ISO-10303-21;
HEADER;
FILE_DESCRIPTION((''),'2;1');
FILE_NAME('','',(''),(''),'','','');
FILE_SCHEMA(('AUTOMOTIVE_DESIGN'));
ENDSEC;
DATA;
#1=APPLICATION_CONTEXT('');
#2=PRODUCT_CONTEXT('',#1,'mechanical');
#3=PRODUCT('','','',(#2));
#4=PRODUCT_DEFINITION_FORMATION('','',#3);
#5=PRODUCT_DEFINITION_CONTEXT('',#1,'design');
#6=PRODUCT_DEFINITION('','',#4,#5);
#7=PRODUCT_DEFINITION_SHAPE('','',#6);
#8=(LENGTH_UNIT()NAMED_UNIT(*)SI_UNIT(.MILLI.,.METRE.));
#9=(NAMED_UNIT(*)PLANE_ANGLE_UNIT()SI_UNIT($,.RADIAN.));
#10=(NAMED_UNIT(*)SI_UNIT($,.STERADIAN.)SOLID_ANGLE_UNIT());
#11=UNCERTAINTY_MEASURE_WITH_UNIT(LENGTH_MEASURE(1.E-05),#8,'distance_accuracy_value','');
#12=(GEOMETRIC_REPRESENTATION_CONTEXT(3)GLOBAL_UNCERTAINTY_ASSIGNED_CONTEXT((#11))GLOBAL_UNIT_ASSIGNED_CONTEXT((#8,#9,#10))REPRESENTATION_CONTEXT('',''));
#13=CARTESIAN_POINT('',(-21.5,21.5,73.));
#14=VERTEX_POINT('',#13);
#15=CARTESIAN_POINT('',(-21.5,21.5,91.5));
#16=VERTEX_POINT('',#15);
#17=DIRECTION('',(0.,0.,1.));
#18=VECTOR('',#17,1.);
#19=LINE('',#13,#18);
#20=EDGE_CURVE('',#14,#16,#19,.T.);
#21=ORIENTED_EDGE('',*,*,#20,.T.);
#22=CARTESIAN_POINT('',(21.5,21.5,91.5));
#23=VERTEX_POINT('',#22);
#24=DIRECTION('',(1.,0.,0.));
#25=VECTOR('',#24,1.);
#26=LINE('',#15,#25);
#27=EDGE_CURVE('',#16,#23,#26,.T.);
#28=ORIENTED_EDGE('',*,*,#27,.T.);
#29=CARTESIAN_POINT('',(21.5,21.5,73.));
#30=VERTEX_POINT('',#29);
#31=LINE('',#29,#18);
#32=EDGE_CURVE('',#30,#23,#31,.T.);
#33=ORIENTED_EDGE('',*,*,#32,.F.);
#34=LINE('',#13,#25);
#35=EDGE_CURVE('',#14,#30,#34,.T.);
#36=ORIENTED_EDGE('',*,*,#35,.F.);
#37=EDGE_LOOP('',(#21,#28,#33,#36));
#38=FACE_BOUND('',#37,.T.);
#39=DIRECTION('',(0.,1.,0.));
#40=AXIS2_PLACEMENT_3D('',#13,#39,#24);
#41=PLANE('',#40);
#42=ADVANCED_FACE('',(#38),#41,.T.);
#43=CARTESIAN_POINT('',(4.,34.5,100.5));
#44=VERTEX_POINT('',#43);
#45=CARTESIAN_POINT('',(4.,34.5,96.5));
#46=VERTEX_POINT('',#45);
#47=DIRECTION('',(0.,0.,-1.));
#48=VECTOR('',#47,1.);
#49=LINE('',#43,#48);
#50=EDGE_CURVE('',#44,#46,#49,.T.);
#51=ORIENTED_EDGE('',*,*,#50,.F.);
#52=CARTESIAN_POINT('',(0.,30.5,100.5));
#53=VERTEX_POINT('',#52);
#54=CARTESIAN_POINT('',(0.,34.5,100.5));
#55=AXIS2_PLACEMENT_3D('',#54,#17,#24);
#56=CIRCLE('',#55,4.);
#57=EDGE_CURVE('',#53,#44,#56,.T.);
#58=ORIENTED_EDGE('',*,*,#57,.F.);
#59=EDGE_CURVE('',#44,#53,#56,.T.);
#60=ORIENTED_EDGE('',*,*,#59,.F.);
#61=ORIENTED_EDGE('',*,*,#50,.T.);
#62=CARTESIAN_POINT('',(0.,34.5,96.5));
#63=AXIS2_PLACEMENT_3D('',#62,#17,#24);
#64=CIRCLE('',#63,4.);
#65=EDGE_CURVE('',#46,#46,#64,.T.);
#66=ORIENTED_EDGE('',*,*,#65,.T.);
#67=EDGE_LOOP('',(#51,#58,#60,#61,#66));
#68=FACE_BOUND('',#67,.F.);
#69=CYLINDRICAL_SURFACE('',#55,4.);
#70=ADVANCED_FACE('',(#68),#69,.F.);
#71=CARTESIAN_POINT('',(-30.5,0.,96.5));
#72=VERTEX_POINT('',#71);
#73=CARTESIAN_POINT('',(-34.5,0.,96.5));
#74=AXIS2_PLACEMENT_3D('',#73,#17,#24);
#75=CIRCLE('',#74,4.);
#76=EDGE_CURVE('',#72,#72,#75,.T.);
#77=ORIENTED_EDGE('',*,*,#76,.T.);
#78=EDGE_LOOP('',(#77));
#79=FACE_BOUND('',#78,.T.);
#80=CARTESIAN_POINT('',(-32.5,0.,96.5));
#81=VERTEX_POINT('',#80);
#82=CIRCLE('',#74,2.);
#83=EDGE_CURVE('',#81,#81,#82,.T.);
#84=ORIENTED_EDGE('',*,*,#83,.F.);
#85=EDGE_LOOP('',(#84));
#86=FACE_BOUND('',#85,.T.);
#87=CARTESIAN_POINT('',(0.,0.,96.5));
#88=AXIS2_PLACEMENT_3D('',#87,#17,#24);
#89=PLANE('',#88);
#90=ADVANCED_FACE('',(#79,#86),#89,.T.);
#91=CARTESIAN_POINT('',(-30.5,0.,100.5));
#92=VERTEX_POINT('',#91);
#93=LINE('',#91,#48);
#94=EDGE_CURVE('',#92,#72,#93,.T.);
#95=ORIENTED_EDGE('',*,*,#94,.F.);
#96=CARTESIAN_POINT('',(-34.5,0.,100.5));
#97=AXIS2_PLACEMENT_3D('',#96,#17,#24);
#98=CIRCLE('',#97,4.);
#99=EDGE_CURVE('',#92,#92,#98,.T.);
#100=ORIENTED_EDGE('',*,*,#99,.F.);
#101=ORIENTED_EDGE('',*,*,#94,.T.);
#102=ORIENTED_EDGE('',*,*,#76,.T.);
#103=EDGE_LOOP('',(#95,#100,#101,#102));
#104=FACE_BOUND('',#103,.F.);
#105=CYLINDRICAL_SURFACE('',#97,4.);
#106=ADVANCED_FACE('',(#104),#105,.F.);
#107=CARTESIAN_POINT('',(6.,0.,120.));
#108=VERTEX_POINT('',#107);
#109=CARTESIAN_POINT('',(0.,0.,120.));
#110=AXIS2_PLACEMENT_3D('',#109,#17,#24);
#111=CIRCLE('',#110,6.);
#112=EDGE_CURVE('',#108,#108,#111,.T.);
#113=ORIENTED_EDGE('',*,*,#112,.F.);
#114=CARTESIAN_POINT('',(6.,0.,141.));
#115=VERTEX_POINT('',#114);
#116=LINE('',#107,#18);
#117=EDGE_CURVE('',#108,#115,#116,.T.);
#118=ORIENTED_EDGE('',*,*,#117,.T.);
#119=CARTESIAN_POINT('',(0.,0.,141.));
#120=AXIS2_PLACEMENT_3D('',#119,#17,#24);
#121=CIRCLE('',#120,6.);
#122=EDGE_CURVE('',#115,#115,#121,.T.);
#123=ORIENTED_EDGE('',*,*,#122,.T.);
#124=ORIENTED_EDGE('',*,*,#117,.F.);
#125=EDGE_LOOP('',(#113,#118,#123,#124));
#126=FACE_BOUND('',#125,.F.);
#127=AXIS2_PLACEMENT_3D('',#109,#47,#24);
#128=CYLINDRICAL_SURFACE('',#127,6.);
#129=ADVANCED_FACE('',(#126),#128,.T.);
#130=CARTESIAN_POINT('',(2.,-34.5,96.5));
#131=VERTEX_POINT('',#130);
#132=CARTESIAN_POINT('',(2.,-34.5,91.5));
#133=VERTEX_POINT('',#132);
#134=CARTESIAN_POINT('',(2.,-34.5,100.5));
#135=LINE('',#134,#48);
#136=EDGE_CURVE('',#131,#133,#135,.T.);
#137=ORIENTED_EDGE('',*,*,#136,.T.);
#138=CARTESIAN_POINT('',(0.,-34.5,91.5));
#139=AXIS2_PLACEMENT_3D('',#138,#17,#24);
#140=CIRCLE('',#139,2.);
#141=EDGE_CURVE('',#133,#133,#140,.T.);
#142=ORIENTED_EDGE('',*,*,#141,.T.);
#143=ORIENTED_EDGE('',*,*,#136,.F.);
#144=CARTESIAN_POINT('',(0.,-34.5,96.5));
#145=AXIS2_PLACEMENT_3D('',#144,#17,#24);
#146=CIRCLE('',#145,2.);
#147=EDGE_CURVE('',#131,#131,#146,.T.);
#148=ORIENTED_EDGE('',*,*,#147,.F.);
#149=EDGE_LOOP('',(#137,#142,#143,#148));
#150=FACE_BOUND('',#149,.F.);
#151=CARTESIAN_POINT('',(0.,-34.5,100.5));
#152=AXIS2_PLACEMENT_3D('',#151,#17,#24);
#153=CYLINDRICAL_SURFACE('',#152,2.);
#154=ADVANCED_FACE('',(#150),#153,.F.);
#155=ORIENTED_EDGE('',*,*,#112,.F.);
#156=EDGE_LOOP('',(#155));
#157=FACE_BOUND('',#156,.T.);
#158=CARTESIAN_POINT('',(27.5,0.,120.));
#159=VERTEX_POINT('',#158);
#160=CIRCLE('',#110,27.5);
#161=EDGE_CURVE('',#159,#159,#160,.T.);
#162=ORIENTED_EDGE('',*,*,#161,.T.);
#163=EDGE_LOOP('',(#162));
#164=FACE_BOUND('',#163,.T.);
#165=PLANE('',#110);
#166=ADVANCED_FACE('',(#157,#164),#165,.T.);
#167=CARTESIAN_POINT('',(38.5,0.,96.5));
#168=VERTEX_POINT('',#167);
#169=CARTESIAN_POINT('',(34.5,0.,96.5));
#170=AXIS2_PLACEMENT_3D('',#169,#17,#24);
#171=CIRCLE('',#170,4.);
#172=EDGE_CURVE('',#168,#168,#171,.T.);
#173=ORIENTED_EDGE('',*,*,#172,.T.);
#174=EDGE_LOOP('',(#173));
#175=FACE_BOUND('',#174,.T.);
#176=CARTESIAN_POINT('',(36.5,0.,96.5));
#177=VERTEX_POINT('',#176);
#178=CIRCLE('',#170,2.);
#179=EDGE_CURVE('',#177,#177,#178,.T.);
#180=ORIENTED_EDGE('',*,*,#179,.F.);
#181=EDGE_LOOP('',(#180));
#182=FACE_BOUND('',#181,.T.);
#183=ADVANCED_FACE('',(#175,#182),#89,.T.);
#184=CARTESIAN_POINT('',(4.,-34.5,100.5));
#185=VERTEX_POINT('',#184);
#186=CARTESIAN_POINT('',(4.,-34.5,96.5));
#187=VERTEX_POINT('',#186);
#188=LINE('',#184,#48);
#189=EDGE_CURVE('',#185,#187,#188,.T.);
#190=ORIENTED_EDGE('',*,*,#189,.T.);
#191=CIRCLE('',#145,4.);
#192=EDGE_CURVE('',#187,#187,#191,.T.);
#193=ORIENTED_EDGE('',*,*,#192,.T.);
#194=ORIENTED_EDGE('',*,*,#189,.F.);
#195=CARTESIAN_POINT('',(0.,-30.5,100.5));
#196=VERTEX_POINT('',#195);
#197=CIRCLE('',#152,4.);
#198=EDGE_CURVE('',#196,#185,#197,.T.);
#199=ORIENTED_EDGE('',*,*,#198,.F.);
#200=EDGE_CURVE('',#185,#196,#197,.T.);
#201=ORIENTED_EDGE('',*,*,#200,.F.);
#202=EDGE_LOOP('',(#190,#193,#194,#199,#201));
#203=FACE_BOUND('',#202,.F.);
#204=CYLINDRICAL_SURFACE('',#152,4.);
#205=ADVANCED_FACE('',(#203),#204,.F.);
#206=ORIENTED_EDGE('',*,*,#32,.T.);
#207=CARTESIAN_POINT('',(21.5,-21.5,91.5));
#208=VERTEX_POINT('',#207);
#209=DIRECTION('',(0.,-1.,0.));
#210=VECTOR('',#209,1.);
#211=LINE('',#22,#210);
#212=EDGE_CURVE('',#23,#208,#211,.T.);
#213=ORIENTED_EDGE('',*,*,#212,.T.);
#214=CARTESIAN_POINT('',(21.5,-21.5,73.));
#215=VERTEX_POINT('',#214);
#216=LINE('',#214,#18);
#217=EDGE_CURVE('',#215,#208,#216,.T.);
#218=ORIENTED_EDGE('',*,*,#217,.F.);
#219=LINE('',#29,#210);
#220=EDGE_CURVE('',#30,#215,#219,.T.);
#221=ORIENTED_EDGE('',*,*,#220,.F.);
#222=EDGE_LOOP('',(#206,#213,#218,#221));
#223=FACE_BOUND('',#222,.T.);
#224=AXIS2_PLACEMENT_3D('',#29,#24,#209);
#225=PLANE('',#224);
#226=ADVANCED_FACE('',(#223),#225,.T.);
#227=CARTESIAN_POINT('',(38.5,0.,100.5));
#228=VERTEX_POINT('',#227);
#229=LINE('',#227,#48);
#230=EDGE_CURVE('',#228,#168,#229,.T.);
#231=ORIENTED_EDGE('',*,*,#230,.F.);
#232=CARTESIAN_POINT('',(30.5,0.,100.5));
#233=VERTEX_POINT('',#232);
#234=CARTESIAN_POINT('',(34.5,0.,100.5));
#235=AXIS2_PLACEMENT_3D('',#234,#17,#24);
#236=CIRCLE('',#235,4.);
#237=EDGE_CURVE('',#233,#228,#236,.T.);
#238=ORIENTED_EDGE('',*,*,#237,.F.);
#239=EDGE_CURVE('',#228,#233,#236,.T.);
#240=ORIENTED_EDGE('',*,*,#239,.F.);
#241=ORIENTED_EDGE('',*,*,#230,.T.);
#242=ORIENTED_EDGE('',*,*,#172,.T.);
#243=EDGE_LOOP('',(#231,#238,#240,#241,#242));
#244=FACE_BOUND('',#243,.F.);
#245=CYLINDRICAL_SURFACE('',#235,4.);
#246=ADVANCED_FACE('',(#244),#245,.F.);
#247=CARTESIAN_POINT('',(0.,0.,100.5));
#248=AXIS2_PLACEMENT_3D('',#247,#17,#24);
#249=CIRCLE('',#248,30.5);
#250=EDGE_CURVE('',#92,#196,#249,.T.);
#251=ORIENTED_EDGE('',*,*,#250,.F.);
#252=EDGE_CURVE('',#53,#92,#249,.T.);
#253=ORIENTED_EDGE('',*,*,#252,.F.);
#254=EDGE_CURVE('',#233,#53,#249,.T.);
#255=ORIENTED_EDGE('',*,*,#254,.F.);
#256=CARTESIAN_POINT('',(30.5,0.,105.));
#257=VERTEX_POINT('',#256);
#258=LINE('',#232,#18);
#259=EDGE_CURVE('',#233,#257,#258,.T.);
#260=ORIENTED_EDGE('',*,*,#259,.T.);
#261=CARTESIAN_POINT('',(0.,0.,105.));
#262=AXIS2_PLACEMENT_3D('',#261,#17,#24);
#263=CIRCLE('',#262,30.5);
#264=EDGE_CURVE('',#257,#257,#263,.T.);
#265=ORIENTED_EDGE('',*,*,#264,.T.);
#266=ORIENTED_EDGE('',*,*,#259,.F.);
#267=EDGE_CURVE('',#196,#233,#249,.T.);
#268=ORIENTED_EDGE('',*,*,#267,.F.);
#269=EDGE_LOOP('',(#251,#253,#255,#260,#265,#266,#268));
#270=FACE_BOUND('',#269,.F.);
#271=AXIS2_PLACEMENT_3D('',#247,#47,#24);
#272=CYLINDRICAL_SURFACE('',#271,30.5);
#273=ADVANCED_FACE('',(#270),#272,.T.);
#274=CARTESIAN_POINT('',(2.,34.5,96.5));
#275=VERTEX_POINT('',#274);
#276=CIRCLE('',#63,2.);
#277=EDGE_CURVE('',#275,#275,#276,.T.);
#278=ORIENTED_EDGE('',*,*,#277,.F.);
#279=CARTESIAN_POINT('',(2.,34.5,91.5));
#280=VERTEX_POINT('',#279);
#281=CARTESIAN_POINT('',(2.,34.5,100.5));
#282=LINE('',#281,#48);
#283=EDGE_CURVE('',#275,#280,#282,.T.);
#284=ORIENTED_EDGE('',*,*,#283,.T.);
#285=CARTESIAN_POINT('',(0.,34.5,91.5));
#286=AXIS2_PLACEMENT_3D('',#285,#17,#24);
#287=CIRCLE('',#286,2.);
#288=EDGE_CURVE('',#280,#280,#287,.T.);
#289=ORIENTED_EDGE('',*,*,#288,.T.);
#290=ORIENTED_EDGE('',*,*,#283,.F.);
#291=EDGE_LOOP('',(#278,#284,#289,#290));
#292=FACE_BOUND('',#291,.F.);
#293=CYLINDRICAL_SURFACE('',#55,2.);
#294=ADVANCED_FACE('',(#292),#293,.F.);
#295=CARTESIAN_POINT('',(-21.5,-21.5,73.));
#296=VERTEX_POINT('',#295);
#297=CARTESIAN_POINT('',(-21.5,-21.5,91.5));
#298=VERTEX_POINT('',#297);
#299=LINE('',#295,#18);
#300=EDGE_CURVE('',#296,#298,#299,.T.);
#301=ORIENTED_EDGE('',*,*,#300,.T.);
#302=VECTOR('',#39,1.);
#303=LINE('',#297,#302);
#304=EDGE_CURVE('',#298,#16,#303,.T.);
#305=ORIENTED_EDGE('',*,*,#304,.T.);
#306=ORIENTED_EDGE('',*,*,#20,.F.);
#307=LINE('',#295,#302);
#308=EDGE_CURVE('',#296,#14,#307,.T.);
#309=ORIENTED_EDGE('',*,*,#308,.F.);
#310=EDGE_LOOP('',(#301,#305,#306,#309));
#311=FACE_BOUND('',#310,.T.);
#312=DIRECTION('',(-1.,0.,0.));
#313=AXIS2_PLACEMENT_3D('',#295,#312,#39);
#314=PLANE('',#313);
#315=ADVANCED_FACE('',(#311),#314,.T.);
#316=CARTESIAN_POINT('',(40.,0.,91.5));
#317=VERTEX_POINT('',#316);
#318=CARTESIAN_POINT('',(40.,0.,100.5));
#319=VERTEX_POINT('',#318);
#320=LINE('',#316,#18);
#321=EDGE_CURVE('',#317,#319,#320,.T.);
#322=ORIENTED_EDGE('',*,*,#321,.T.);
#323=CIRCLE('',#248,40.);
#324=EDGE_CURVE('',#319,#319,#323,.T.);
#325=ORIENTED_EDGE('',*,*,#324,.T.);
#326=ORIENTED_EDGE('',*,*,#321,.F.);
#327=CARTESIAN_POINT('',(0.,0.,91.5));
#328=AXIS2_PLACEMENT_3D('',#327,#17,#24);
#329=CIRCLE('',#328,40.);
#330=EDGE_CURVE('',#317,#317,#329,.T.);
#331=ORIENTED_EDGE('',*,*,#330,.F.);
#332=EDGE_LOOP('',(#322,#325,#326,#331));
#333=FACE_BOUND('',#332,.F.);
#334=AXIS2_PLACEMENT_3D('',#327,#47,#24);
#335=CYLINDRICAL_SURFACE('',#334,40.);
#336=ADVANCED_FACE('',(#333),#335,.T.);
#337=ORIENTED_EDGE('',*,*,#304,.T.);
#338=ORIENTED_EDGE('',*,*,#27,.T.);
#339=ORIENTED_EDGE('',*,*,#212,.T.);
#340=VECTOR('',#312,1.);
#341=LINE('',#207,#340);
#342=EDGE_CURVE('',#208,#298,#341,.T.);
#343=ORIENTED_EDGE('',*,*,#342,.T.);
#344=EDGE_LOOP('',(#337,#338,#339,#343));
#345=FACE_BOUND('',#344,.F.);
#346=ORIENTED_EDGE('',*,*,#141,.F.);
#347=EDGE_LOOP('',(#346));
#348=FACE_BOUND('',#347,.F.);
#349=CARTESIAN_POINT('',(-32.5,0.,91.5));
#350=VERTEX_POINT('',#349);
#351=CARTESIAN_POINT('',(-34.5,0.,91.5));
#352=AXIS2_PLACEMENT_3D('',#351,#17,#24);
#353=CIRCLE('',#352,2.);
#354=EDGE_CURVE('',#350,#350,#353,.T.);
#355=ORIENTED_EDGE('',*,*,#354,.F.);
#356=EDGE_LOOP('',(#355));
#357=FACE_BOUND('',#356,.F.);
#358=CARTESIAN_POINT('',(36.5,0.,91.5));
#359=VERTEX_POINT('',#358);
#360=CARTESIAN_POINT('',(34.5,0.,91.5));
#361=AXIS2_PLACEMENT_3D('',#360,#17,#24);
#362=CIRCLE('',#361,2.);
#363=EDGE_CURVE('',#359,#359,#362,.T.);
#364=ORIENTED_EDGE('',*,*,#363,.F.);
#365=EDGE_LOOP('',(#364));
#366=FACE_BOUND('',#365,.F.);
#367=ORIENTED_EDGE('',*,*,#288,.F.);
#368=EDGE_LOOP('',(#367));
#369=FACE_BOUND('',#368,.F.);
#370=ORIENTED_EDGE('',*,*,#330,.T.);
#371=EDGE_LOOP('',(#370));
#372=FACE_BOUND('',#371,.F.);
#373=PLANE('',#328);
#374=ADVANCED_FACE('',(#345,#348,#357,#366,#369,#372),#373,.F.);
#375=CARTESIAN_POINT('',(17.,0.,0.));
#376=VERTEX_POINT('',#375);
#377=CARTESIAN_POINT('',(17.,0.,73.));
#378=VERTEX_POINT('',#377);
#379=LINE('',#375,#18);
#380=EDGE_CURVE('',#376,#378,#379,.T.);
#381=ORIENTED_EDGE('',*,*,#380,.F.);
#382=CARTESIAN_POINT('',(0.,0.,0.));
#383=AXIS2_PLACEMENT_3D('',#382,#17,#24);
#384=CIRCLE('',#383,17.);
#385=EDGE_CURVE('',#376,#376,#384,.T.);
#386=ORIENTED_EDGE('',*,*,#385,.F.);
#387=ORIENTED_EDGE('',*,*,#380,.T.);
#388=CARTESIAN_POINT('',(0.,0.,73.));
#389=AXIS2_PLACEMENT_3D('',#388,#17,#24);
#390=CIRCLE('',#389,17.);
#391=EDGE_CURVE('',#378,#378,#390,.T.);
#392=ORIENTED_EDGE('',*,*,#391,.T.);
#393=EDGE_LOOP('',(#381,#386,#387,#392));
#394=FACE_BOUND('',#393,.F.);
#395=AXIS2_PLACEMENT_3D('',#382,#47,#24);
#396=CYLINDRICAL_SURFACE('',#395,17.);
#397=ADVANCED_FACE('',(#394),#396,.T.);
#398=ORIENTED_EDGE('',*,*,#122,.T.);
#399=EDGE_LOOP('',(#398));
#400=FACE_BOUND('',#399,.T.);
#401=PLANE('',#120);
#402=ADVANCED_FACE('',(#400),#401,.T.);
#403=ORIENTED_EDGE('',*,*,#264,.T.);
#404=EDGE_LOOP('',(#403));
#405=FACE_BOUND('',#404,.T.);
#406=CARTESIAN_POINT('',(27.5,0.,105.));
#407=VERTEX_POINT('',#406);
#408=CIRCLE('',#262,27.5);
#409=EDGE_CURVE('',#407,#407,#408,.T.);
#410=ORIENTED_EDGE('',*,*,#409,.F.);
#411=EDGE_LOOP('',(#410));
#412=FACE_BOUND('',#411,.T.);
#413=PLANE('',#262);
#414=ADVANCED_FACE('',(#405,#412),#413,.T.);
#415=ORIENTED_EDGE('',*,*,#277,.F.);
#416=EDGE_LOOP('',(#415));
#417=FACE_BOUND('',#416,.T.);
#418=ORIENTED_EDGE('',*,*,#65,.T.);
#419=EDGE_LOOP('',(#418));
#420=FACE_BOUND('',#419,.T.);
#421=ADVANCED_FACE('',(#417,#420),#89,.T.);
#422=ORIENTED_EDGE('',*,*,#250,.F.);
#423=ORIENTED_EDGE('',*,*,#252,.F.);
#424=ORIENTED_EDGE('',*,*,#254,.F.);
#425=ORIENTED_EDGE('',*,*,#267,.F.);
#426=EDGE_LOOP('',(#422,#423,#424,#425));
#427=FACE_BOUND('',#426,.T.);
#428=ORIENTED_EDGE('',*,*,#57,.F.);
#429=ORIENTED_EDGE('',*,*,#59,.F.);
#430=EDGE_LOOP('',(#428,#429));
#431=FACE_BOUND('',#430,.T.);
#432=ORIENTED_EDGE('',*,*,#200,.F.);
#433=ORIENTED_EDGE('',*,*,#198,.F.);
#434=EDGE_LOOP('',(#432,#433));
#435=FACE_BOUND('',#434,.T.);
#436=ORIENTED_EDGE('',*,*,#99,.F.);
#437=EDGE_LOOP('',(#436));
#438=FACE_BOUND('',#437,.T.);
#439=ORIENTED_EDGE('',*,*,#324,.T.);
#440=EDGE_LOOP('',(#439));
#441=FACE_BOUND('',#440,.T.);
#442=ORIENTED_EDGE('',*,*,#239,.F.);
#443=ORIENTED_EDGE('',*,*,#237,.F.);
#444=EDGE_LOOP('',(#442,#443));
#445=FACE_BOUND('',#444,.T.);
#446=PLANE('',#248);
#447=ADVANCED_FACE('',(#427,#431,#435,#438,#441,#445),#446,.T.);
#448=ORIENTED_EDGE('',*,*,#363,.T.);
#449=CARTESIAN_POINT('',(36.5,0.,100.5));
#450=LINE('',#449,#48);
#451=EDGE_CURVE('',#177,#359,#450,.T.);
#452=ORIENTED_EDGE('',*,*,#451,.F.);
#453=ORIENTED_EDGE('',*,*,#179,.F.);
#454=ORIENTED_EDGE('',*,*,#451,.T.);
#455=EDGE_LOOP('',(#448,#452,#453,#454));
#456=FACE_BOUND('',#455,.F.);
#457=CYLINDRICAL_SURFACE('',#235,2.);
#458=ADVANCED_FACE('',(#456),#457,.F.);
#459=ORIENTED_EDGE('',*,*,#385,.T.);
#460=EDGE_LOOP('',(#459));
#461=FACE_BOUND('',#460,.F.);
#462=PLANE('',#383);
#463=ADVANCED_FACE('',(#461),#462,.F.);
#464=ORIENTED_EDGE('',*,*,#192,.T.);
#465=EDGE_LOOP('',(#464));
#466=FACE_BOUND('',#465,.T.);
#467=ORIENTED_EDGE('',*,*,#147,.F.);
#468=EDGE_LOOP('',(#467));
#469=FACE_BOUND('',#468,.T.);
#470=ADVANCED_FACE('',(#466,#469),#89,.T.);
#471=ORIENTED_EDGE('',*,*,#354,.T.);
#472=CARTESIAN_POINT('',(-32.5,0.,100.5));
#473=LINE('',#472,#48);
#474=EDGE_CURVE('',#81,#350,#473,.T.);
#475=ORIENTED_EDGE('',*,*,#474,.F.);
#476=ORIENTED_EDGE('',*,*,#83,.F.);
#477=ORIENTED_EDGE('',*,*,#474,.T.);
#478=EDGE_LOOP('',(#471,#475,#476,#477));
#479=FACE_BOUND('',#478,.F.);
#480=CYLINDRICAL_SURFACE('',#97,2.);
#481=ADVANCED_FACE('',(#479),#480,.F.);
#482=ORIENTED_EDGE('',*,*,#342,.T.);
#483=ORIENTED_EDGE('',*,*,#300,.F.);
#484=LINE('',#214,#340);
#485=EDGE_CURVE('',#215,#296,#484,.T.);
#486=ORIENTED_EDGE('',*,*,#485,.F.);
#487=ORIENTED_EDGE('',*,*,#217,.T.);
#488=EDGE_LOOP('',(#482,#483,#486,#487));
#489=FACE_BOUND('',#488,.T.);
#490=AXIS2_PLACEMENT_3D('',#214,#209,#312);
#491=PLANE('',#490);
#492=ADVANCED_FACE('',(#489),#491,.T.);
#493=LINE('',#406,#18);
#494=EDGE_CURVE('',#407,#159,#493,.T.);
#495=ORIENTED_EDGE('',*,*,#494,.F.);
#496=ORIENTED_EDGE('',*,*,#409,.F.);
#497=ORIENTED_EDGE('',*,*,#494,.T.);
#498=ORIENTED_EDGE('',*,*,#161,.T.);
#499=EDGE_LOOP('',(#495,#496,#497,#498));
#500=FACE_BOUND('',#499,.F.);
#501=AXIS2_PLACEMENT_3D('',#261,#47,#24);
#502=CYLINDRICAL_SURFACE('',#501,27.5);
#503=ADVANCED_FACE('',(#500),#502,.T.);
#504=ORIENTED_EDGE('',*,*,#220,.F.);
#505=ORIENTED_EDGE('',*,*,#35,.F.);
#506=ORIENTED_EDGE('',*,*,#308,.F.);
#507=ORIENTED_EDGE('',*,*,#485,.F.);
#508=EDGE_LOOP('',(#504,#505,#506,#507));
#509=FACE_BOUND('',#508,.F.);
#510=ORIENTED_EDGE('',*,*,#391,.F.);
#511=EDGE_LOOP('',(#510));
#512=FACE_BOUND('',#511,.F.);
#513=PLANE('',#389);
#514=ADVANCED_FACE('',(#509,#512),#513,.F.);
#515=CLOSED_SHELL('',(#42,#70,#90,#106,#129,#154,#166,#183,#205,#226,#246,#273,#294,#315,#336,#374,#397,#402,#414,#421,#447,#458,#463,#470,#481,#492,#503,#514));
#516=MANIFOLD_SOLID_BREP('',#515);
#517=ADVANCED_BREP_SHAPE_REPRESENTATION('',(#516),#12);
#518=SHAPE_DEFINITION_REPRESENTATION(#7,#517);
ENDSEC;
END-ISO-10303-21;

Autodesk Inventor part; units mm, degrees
ref_plane "YZ Plane" through (0, 0, 0) normal (1, 0, 0) x (0, 1, 0)
ref_plane "XZ Plane" through (0, 0, 0) normal (0, 1, 0) x (-1, 0, 0)
ref_plane "XY Plane" through (0, 0, 0) normal (0, 0, 1) x (1, 0, 0)
sketch "スケッチ1" plane through (0, 0, 0) normal (0, 0, 1) x (1, 0, 0)
  circle A0 centre (0, 0) radius 17
  dimension "d0" = 34
extrude "押し出し1" add sketch "スケッチ1" along normal blind 73
sketch "スケッチ2" plane through (0, 0, 73) normal (0, 0, 1) x (1, 0, 0)
  line L0 (-21.5, 21.5) -> (21.5, 21.5)
  line L1 (21.5, 21.5) -> (21.5, -21.5)
  line L2 (21.5, -21.5) -> (-21.5, -21.5)
  line L3 (-21.5, -21.5) -> (-21.5, 21.5)
  line L4 (-21.5, 21.5) -> (21.5, -21.5) construction
  line L5 (21.5, 21.5) -> (-21.5, -21.5) construction
  point P0 (0, 0)
  dimension "d3" = 43
  dimension "d4" = 43
extrude "押し出し2" add sketch "スケッチ2" along normal blind 18.5
sketch "スケッチ3" plane through (0, 0, 91.5) normal (0, 0, 1) x (1, 0, 0)
  circle A0 centre (0, 0) radius 40
  dimension "d7" = 80
extrude "押し出し3" add sketch "スケッチ3" along normal blind 9
sketch "スケッチ4" plane through (0, 0, 100.5) normal (0, 0, 1) x (1, 0, 0)
  circle A0 centre (0, 0) radius 30.5
  dimension "d10" = 61
extrude "押し出し4" add sketch "スケッチ4" along normal blind 4.5
sketch "スケッチ5" plane through (0, 0, 105) normal (0, 0, 1) x (1, 0, 0)
  circle A0 centre (0, 0) radius 27.5
  dimension "d13" = 55
extrude "押し出し5" add sketch "スケッチ5" along normal blind 15
sketch "スケッチ6" plane through (0, 0, 120) normal (0, 0, 1) x (1, 0, 0)
  circle A0 centre (0, 0) radius 6
  dimension "d16" = 12
extrude "押し出し6" add sketch "スケッチ6" along normal blind 21
sketch "スケッチ7" plane through (0, 0, 100.5) normal (0, 0, 1) x (1, 0, 0)
  circle A0 centre (0, 0) radius 34.5 construction
  circle A1 centre (-34.5, 0) radius 2
  circle A2 centre (0, -34.5) radius 2
  circle A3 centre (34.5, 0) radius 2
  circle A4 centre (0, 34.5) radius 2
  dimension "d19" = 69
  dimension "d20" = 4
  dimension "d23" = 360
extrude "押し出し7" cut sketch "スケッチ7" against normal blind 9
sketch "スケッチ8" plane through (0, 0, 100.5) normal (0, 0, 1) x (1, 0, 0)
  circle A0 centre (0, 0) radius 34.5 construction
  circle A1 centre (-34.5, 0) radius 4
  circle A2 centre (0, -34.5) radius 4
  circle A3 centre (34.5, 0) radius 4
  circle A4 centre (0, 34.5) radius 4
  dimension "d27" = 69
  dimension "d28" = 8
  dimension "d31" = 360
extrude "押し出し8" cut sketch "スケッチ8" against normal blind 4
properties part number "TukasaMoter"
